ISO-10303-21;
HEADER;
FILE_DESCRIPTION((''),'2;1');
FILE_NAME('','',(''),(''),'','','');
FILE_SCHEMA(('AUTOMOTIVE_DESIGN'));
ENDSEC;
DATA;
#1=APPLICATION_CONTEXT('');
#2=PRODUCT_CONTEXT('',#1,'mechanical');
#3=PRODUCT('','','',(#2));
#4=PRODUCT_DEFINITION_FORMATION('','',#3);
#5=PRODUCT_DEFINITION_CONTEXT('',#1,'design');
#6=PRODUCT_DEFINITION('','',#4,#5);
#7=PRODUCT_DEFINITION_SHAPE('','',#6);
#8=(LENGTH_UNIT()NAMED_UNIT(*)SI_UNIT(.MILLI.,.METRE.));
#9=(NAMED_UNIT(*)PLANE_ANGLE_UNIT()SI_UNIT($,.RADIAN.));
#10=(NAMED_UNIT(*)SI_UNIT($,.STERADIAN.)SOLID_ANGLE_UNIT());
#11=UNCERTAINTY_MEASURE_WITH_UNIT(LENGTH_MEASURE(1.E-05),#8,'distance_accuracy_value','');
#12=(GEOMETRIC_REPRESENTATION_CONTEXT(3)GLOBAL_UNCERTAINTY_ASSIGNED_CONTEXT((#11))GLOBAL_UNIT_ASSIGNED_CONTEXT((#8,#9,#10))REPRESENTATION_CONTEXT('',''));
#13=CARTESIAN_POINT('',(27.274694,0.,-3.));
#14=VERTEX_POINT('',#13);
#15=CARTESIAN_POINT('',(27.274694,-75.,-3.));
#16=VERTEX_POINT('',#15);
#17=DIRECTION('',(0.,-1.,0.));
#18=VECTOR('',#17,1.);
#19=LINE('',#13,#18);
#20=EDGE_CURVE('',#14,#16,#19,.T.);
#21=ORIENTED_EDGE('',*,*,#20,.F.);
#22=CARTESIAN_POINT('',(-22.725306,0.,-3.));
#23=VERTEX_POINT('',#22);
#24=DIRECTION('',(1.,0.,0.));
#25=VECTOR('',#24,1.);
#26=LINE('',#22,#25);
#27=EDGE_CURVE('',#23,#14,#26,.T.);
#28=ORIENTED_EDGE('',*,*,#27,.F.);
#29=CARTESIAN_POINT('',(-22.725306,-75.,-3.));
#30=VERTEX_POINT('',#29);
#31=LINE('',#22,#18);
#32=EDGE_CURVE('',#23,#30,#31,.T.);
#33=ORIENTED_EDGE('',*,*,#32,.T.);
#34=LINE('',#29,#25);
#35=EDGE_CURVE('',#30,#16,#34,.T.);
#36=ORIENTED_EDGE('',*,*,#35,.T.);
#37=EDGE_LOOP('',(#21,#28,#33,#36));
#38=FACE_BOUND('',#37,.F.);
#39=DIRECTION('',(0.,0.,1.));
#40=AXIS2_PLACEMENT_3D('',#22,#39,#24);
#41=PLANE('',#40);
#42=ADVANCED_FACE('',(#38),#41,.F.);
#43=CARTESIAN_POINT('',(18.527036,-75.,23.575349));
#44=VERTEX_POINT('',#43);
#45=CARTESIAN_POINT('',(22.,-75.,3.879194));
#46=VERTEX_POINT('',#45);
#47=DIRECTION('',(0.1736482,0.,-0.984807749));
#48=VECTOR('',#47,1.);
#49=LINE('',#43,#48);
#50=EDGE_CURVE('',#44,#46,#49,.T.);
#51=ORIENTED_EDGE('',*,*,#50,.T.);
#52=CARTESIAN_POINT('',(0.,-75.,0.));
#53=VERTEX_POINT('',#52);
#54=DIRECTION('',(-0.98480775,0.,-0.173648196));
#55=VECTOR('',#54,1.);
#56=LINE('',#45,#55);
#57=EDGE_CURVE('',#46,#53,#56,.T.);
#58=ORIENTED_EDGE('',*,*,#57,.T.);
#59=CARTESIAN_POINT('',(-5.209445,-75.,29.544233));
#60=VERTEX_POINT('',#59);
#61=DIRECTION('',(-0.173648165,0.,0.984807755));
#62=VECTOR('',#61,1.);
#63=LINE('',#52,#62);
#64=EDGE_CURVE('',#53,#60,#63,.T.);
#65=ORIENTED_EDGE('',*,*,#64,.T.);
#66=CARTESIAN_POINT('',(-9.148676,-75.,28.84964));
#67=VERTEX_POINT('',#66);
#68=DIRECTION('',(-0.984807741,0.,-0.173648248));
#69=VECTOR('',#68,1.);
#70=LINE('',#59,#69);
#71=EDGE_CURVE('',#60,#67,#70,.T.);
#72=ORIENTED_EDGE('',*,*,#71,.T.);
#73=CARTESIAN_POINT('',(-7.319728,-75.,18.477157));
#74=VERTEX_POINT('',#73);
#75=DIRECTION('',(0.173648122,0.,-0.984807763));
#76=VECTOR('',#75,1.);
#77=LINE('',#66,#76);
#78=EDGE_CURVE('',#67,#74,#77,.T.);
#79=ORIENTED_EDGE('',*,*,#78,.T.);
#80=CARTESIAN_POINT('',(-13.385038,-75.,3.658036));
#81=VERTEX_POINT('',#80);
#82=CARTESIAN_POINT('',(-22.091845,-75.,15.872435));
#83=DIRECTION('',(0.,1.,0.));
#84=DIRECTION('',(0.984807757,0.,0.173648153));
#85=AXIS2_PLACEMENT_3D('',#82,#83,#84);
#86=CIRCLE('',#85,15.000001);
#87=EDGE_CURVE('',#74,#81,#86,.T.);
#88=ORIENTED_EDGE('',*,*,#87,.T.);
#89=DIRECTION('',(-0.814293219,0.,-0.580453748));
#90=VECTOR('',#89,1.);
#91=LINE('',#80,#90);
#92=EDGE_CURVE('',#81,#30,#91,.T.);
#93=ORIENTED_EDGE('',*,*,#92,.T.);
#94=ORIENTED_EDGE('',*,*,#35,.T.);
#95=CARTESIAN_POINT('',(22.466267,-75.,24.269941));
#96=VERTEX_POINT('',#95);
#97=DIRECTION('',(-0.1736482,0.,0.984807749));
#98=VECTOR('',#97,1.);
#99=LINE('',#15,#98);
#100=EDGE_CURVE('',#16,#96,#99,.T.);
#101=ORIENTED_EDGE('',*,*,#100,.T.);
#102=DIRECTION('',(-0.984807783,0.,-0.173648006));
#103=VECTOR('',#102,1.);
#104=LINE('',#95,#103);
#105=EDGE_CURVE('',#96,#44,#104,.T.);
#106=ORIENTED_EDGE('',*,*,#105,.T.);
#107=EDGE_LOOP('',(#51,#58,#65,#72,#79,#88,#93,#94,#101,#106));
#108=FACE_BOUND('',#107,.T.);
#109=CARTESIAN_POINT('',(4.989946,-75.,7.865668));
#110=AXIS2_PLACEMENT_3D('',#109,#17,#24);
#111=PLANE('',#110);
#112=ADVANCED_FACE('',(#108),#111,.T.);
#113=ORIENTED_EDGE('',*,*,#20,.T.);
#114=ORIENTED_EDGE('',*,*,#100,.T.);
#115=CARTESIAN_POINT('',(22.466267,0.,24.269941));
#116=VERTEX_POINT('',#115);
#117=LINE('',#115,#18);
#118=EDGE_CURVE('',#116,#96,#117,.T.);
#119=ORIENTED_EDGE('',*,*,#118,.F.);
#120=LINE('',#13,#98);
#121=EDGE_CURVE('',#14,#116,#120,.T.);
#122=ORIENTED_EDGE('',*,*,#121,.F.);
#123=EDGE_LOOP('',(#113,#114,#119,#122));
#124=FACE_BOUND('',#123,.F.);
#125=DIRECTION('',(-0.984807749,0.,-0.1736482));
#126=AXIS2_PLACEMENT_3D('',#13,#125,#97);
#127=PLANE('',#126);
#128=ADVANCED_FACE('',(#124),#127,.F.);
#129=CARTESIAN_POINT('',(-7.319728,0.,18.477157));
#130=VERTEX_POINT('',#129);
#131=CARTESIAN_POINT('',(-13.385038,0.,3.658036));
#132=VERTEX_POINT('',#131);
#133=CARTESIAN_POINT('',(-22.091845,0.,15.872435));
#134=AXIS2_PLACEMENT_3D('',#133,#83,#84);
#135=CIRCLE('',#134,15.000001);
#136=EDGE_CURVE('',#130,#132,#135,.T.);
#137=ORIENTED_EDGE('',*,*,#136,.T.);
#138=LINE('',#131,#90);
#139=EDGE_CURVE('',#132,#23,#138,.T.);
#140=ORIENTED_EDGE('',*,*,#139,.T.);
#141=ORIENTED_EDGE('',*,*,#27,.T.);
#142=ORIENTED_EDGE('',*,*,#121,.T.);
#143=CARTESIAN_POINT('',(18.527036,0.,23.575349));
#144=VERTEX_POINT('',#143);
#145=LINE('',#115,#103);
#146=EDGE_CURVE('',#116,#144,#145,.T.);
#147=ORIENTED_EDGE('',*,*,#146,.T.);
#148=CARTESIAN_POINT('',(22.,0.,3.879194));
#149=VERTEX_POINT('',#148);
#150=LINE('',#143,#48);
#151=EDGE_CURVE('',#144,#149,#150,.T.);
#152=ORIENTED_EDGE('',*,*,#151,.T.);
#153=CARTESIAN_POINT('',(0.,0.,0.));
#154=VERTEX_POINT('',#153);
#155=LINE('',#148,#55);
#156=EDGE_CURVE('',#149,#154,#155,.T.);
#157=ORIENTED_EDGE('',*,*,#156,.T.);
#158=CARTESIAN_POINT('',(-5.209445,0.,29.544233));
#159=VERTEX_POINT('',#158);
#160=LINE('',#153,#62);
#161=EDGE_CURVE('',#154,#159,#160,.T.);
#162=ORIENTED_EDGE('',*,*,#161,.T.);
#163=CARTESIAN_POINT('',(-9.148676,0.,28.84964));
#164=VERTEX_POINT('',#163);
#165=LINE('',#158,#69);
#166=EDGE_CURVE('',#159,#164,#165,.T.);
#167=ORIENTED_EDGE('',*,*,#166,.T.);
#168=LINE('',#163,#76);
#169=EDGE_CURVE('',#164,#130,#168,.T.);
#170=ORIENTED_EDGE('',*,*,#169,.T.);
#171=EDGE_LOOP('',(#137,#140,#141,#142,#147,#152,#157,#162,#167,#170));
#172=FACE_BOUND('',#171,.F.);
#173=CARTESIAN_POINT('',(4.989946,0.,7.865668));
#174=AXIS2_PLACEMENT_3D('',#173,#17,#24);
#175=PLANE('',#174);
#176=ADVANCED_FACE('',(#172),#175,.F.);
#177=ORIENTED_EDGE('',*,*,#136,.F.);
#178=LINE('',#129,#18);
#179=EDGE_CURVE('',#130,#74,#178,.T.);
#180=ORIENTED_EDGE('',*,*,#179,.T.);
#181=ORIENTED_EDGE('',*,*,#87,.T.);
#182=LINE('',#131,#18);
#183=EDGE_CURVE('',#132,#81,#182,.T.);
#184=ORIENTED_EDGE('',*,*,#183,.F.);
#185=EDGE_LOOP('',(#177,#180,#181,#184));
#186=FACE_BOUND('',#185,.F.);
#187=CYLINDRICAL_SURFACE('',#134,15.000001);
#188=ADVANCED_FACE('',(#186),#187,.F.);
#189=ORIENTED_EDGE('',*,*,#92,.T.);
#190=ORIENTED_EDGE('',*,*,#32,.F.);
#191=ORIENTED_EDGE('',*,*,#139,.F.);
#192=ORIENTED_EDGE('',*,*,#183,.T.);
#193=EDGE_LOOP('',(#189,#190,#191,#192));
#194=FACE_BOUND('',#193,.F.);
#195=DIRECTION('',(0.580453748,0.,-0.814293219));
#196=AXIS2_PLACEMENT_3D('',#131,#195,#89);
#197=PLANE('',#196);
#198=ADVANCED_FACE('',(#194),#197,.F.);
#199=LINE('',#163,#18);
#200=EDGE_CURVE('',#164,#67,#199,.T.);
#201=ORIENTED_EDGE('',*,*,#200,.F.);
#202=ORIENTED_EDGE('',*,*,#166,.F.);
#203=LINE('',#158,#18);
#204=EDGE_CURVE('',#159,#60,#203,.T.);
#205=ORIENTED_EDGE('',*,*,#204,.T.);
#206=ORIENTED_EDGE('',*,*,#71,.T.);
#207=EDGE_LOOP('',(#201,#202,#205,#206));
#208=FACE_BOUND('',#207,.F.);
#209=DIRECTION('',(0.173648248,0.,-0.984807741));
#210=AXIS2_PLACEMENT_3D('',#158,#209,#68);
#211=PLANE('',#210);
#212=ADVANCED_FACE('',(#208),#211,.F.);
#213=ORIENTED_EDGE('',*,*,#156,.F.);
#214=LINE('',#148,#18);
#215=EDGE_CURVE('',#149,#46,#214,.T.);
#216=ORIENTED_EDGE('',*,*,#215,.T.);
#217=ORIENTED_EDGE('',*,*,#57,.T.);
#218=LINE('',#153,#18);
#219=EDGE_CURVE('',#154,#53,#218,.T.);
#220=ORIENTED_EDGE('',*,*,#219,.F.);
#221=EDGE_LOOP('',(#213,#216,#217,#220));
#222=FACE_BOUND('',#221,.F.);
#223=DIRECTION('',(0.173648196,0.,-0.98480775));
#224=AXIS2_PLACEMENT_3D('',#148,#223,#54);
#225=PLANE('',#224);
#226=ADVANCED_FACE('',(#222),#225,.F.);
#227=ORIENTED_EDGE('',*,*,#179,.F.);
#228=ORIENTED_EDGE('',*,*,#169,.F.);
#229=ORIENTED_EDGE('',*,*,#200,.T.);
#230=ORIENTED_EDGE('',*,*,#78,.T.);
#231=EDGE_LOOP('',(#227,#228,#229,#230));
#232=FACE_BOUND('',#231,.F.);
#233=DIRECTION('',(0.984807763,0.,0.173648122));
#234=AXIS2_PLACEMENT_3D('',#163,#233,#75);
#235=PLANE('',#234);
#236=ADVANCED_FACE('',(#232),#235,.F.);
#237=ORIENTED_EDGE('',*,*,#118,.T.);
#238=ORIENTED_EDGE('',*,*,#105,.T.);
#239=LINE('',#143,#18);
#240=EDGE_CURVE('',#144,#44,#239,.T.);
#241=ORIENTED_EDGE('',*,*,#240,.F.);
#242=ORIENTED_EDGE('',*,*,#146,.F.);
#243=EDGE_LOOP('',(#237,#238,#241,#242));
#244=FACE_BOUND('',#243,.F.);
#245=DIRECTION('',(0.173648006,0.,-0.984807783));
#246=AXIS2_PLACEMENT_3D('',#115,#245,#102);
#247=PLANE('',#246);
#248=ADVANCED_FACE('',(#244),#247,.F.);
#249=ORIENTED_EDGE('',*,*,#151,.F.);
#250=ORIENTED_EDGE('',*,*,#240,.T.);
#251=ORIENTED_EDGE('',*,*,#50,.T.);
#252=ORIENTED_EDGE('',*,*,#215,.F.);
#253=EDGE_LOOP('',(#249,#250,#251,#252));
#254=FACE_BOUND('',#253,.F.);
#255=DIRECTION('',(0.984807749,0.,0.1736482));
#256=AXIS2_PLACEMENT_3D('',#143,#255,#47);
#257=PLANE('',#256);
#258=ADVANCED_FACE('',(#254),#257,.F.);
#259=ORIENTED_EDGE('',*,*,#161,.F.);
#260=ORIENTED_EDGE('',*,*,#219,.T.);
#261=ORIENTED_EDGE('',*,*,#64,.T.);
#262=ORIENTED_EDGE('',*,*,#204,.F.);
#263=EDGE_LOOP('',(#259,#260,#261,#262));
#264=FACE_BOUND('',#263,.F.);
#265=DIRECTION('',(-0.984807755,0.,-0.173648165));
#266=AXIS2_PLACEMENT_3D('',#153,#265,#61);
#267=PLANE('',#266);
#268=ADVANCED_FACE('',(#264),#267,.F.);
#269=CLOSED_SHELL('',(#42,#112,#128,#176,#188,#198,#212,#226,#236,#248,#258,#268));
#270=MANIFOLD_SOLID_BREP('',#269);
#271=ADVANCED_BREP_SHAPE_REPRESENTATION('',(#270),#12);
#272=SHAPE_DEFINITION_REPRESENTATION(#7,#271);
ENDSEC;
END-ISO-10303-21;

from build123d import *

# Parameters (mm, degrees)
F1_DEPTH = 75


with BuildPart() as f1:
    # F0 (on Front) → F1 (new body)
    with BuildSketch(Plane.XZ):
        with BuildLine():
            Line((22, 3.879194), (0, 0))
            Line((0, 0), (-5.209445, 29.544233))
            Line((-5.209445, 29.544233), (-9.148676, 28.84964))
            Line((-9.148676, 28.84964), (-7.319728, 18.477157))
            ThreePointArc((-7.319728, 18.477157), (-8.209606, 10.190581), (-13.385038, 3.658036))
            Line((-13.385038, 3.658036), (-22.725306, -3))
            Line((-22.725306, -3), (27.274694, -3))
            Line((27.274694, -3), (22.466267, 24.269941))
            Line((22.466267, 24.269941), (18.527036, 23.575349))
            Line((18.527036, 23.575349), (22, 3.879194))
        make_face()
    extrude(amount=F1_DEPTH)


solid = f1.part
